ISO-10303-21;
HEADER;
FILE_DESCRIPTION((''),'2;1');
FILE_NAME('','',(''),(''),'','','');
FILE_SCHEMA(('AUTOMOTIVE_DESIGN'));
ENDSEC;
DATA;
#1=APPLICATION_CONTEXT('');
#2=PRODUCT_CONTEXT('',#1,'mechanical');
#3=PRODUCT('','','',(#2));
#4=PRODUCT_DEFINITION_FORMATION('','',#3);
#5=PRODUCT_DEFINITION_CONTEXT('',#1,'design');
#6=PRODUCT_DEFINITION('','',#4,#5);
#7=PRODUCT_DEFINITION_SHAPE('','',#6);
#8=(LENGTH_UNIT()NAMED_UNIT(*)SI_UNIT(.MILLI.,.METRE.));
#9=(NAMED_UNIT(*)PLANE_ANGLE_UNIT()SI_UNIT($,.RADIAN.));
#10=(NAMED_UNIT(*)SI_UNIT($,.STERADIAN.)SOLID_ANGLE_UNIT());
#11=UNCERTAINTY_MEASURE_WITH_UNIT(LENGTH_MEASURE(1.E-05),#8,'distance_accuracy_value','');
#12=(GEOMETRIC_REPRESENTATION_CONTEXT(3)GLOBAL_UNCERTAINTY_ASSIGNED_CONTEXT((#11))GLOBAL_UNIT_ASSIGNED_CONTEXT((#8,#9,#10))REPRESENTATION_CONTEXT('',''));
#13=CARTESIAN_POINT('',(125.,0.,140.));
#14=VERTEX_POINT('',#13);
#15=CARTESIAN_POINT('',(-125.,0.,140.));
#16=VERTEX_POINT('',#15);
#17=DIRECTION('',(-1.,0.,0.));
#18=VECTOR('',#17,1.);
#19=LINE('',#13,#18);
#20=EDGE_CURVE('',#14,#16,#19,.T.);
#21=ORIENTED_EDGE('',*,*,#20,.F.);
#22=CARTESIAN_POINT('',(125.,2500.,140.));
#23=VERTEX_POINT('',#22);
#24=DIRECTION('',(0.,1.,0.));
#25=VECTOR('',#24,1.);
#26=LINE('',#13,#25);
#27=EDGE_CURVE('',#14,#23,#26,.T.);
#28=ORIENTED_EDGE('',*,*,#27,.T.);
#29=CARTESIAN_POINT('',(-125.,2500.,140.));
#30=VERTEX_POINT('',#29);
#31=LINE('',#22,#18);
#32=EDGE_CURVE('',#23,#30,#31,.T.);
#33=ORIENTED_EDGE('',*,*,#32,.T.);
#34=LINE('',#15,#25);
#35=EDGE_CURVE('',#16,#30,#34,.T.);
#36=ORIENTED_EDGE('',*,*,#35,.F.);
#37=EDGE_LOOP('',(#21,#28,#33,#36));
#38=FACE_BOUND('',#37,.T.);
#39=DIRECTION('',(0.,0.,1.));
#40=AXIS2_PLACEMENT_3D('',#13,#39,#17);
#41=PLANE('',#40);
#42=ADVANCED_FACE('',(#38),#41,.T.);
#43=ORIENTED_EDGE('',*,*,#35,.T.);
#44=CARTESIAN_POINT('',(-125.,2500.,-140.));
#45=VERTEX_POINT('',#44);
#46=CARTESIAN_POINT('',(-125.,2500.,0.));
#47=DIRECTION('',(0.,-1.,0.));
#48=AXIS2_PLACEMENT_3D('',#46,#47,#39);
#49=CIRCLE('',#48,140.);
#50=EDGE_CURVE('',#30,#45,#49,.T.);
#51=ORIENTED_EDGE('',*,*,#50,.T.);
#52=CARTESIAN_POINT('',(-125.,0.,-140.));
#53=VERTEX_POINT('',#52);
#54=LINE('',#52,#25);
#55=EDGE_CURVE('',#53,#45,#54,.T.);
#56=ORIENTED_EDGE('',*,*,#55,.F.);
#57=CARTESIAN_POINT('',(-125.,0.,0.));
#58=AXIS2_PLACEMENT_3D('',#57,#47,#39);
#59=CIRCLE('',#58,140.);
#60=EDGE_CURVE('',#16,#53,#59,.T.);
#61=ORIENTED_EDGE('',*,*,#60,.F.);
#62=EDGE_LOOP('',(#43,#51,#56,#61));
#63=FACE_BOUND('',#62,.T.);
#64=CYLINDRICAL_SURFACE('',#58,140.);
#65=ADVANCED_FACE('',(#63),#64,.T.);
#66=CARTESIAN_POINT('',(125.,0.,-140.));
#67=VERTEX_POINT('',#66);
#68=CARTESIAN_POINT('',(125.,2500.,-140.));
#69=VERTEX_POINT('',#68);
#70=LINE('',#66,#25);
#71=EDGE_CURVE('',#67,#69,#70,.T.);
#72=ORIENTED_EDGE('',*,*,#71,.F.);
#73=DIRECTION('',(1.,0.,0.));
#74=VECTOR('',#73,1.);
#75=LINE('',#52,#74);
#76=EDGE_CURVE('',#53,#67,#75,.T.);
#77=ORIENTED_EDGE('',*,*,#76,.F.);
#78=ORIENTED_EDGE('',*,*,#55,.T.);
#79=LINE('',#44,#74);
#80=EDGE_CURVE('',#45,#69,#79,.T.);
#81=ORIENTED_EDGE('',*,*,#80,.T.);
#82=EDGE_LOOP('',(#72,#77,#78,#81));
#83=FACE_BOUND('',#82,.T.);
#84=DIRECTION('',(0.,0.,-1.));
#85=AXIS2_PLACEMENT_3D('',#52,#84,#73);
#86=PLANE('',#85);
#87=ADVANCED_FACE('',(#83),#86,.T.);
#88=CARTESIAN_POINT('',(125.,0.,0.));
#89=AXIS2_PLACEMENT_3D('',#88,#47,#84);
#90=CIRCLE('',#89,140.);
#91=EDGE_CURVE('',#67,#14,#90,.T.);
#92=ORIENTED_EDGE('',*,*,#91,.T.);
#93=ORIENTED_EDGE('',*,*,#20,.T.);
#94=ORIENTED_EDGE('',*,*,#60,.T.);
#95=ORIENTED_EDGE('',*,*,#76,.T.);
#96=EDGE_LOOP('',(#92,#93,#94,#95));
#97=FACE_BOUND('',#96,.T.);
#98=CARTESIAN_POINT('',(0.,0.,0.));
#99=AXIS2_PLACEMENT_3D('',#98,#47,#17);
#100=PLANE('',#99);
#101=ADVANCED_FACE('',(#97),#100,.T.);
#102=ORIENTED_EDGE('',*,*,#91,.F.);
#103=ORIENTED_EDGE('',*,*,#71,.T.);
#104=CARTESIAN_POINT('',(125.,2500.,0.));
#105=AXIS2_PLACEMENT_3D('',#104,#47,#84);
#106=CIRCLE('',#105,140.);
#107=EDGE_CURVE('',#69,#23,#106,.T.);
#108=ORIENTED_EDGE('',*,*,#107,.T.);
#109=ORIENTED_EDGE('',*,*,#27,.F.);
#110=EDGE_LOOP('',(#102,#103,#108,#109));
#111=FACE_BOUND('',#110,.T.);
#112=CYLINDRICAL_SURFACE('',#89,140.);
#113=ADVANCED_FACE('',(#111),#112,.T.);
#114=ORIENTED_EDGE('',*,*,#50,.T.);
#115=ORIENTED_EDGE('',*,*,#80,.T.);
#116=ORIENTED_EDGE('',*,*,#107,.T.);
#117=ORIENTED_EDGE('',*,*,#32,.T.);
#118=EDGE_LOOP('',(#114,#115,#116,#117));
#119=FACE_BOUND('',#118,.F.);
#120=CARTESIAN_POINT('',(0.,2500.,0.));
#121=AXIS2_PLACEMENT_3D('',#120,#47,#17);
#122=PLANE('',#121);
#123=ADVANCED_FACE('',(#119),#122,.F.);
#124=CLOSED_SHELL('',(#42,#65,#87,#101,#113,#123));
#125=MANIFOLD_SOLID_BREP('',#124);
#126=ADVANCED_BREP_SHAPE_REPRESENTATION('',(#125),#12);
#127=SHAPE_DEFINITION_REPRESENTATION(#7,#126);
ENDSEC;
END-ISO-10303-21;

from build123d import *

# Parameters (mm, degrees)
BOSS_EXTRUDE1_DEPTH = 2500


with BuildPart() as part:
    # Sketch1 → Boss-Extrude1 (new body)
    with BuildSketch(Plane(origin=(0, 0, 0), x_dir=(1, 0, 0), z_dir=(0, 1, 0))):
        with BuildLine():
            Line((125, -140), (-125, -140))
            ThreePointArc((-125, -140), (-265, 0), (-125, 140))
            Line((-125, 140), (125, 140))
            ThreePointArc((125, 140), (265, 0), (125, -140))
        make_face()
    extrude(amount=BOSS_EXTRUDE1_DEPTH)


solid = part.part
